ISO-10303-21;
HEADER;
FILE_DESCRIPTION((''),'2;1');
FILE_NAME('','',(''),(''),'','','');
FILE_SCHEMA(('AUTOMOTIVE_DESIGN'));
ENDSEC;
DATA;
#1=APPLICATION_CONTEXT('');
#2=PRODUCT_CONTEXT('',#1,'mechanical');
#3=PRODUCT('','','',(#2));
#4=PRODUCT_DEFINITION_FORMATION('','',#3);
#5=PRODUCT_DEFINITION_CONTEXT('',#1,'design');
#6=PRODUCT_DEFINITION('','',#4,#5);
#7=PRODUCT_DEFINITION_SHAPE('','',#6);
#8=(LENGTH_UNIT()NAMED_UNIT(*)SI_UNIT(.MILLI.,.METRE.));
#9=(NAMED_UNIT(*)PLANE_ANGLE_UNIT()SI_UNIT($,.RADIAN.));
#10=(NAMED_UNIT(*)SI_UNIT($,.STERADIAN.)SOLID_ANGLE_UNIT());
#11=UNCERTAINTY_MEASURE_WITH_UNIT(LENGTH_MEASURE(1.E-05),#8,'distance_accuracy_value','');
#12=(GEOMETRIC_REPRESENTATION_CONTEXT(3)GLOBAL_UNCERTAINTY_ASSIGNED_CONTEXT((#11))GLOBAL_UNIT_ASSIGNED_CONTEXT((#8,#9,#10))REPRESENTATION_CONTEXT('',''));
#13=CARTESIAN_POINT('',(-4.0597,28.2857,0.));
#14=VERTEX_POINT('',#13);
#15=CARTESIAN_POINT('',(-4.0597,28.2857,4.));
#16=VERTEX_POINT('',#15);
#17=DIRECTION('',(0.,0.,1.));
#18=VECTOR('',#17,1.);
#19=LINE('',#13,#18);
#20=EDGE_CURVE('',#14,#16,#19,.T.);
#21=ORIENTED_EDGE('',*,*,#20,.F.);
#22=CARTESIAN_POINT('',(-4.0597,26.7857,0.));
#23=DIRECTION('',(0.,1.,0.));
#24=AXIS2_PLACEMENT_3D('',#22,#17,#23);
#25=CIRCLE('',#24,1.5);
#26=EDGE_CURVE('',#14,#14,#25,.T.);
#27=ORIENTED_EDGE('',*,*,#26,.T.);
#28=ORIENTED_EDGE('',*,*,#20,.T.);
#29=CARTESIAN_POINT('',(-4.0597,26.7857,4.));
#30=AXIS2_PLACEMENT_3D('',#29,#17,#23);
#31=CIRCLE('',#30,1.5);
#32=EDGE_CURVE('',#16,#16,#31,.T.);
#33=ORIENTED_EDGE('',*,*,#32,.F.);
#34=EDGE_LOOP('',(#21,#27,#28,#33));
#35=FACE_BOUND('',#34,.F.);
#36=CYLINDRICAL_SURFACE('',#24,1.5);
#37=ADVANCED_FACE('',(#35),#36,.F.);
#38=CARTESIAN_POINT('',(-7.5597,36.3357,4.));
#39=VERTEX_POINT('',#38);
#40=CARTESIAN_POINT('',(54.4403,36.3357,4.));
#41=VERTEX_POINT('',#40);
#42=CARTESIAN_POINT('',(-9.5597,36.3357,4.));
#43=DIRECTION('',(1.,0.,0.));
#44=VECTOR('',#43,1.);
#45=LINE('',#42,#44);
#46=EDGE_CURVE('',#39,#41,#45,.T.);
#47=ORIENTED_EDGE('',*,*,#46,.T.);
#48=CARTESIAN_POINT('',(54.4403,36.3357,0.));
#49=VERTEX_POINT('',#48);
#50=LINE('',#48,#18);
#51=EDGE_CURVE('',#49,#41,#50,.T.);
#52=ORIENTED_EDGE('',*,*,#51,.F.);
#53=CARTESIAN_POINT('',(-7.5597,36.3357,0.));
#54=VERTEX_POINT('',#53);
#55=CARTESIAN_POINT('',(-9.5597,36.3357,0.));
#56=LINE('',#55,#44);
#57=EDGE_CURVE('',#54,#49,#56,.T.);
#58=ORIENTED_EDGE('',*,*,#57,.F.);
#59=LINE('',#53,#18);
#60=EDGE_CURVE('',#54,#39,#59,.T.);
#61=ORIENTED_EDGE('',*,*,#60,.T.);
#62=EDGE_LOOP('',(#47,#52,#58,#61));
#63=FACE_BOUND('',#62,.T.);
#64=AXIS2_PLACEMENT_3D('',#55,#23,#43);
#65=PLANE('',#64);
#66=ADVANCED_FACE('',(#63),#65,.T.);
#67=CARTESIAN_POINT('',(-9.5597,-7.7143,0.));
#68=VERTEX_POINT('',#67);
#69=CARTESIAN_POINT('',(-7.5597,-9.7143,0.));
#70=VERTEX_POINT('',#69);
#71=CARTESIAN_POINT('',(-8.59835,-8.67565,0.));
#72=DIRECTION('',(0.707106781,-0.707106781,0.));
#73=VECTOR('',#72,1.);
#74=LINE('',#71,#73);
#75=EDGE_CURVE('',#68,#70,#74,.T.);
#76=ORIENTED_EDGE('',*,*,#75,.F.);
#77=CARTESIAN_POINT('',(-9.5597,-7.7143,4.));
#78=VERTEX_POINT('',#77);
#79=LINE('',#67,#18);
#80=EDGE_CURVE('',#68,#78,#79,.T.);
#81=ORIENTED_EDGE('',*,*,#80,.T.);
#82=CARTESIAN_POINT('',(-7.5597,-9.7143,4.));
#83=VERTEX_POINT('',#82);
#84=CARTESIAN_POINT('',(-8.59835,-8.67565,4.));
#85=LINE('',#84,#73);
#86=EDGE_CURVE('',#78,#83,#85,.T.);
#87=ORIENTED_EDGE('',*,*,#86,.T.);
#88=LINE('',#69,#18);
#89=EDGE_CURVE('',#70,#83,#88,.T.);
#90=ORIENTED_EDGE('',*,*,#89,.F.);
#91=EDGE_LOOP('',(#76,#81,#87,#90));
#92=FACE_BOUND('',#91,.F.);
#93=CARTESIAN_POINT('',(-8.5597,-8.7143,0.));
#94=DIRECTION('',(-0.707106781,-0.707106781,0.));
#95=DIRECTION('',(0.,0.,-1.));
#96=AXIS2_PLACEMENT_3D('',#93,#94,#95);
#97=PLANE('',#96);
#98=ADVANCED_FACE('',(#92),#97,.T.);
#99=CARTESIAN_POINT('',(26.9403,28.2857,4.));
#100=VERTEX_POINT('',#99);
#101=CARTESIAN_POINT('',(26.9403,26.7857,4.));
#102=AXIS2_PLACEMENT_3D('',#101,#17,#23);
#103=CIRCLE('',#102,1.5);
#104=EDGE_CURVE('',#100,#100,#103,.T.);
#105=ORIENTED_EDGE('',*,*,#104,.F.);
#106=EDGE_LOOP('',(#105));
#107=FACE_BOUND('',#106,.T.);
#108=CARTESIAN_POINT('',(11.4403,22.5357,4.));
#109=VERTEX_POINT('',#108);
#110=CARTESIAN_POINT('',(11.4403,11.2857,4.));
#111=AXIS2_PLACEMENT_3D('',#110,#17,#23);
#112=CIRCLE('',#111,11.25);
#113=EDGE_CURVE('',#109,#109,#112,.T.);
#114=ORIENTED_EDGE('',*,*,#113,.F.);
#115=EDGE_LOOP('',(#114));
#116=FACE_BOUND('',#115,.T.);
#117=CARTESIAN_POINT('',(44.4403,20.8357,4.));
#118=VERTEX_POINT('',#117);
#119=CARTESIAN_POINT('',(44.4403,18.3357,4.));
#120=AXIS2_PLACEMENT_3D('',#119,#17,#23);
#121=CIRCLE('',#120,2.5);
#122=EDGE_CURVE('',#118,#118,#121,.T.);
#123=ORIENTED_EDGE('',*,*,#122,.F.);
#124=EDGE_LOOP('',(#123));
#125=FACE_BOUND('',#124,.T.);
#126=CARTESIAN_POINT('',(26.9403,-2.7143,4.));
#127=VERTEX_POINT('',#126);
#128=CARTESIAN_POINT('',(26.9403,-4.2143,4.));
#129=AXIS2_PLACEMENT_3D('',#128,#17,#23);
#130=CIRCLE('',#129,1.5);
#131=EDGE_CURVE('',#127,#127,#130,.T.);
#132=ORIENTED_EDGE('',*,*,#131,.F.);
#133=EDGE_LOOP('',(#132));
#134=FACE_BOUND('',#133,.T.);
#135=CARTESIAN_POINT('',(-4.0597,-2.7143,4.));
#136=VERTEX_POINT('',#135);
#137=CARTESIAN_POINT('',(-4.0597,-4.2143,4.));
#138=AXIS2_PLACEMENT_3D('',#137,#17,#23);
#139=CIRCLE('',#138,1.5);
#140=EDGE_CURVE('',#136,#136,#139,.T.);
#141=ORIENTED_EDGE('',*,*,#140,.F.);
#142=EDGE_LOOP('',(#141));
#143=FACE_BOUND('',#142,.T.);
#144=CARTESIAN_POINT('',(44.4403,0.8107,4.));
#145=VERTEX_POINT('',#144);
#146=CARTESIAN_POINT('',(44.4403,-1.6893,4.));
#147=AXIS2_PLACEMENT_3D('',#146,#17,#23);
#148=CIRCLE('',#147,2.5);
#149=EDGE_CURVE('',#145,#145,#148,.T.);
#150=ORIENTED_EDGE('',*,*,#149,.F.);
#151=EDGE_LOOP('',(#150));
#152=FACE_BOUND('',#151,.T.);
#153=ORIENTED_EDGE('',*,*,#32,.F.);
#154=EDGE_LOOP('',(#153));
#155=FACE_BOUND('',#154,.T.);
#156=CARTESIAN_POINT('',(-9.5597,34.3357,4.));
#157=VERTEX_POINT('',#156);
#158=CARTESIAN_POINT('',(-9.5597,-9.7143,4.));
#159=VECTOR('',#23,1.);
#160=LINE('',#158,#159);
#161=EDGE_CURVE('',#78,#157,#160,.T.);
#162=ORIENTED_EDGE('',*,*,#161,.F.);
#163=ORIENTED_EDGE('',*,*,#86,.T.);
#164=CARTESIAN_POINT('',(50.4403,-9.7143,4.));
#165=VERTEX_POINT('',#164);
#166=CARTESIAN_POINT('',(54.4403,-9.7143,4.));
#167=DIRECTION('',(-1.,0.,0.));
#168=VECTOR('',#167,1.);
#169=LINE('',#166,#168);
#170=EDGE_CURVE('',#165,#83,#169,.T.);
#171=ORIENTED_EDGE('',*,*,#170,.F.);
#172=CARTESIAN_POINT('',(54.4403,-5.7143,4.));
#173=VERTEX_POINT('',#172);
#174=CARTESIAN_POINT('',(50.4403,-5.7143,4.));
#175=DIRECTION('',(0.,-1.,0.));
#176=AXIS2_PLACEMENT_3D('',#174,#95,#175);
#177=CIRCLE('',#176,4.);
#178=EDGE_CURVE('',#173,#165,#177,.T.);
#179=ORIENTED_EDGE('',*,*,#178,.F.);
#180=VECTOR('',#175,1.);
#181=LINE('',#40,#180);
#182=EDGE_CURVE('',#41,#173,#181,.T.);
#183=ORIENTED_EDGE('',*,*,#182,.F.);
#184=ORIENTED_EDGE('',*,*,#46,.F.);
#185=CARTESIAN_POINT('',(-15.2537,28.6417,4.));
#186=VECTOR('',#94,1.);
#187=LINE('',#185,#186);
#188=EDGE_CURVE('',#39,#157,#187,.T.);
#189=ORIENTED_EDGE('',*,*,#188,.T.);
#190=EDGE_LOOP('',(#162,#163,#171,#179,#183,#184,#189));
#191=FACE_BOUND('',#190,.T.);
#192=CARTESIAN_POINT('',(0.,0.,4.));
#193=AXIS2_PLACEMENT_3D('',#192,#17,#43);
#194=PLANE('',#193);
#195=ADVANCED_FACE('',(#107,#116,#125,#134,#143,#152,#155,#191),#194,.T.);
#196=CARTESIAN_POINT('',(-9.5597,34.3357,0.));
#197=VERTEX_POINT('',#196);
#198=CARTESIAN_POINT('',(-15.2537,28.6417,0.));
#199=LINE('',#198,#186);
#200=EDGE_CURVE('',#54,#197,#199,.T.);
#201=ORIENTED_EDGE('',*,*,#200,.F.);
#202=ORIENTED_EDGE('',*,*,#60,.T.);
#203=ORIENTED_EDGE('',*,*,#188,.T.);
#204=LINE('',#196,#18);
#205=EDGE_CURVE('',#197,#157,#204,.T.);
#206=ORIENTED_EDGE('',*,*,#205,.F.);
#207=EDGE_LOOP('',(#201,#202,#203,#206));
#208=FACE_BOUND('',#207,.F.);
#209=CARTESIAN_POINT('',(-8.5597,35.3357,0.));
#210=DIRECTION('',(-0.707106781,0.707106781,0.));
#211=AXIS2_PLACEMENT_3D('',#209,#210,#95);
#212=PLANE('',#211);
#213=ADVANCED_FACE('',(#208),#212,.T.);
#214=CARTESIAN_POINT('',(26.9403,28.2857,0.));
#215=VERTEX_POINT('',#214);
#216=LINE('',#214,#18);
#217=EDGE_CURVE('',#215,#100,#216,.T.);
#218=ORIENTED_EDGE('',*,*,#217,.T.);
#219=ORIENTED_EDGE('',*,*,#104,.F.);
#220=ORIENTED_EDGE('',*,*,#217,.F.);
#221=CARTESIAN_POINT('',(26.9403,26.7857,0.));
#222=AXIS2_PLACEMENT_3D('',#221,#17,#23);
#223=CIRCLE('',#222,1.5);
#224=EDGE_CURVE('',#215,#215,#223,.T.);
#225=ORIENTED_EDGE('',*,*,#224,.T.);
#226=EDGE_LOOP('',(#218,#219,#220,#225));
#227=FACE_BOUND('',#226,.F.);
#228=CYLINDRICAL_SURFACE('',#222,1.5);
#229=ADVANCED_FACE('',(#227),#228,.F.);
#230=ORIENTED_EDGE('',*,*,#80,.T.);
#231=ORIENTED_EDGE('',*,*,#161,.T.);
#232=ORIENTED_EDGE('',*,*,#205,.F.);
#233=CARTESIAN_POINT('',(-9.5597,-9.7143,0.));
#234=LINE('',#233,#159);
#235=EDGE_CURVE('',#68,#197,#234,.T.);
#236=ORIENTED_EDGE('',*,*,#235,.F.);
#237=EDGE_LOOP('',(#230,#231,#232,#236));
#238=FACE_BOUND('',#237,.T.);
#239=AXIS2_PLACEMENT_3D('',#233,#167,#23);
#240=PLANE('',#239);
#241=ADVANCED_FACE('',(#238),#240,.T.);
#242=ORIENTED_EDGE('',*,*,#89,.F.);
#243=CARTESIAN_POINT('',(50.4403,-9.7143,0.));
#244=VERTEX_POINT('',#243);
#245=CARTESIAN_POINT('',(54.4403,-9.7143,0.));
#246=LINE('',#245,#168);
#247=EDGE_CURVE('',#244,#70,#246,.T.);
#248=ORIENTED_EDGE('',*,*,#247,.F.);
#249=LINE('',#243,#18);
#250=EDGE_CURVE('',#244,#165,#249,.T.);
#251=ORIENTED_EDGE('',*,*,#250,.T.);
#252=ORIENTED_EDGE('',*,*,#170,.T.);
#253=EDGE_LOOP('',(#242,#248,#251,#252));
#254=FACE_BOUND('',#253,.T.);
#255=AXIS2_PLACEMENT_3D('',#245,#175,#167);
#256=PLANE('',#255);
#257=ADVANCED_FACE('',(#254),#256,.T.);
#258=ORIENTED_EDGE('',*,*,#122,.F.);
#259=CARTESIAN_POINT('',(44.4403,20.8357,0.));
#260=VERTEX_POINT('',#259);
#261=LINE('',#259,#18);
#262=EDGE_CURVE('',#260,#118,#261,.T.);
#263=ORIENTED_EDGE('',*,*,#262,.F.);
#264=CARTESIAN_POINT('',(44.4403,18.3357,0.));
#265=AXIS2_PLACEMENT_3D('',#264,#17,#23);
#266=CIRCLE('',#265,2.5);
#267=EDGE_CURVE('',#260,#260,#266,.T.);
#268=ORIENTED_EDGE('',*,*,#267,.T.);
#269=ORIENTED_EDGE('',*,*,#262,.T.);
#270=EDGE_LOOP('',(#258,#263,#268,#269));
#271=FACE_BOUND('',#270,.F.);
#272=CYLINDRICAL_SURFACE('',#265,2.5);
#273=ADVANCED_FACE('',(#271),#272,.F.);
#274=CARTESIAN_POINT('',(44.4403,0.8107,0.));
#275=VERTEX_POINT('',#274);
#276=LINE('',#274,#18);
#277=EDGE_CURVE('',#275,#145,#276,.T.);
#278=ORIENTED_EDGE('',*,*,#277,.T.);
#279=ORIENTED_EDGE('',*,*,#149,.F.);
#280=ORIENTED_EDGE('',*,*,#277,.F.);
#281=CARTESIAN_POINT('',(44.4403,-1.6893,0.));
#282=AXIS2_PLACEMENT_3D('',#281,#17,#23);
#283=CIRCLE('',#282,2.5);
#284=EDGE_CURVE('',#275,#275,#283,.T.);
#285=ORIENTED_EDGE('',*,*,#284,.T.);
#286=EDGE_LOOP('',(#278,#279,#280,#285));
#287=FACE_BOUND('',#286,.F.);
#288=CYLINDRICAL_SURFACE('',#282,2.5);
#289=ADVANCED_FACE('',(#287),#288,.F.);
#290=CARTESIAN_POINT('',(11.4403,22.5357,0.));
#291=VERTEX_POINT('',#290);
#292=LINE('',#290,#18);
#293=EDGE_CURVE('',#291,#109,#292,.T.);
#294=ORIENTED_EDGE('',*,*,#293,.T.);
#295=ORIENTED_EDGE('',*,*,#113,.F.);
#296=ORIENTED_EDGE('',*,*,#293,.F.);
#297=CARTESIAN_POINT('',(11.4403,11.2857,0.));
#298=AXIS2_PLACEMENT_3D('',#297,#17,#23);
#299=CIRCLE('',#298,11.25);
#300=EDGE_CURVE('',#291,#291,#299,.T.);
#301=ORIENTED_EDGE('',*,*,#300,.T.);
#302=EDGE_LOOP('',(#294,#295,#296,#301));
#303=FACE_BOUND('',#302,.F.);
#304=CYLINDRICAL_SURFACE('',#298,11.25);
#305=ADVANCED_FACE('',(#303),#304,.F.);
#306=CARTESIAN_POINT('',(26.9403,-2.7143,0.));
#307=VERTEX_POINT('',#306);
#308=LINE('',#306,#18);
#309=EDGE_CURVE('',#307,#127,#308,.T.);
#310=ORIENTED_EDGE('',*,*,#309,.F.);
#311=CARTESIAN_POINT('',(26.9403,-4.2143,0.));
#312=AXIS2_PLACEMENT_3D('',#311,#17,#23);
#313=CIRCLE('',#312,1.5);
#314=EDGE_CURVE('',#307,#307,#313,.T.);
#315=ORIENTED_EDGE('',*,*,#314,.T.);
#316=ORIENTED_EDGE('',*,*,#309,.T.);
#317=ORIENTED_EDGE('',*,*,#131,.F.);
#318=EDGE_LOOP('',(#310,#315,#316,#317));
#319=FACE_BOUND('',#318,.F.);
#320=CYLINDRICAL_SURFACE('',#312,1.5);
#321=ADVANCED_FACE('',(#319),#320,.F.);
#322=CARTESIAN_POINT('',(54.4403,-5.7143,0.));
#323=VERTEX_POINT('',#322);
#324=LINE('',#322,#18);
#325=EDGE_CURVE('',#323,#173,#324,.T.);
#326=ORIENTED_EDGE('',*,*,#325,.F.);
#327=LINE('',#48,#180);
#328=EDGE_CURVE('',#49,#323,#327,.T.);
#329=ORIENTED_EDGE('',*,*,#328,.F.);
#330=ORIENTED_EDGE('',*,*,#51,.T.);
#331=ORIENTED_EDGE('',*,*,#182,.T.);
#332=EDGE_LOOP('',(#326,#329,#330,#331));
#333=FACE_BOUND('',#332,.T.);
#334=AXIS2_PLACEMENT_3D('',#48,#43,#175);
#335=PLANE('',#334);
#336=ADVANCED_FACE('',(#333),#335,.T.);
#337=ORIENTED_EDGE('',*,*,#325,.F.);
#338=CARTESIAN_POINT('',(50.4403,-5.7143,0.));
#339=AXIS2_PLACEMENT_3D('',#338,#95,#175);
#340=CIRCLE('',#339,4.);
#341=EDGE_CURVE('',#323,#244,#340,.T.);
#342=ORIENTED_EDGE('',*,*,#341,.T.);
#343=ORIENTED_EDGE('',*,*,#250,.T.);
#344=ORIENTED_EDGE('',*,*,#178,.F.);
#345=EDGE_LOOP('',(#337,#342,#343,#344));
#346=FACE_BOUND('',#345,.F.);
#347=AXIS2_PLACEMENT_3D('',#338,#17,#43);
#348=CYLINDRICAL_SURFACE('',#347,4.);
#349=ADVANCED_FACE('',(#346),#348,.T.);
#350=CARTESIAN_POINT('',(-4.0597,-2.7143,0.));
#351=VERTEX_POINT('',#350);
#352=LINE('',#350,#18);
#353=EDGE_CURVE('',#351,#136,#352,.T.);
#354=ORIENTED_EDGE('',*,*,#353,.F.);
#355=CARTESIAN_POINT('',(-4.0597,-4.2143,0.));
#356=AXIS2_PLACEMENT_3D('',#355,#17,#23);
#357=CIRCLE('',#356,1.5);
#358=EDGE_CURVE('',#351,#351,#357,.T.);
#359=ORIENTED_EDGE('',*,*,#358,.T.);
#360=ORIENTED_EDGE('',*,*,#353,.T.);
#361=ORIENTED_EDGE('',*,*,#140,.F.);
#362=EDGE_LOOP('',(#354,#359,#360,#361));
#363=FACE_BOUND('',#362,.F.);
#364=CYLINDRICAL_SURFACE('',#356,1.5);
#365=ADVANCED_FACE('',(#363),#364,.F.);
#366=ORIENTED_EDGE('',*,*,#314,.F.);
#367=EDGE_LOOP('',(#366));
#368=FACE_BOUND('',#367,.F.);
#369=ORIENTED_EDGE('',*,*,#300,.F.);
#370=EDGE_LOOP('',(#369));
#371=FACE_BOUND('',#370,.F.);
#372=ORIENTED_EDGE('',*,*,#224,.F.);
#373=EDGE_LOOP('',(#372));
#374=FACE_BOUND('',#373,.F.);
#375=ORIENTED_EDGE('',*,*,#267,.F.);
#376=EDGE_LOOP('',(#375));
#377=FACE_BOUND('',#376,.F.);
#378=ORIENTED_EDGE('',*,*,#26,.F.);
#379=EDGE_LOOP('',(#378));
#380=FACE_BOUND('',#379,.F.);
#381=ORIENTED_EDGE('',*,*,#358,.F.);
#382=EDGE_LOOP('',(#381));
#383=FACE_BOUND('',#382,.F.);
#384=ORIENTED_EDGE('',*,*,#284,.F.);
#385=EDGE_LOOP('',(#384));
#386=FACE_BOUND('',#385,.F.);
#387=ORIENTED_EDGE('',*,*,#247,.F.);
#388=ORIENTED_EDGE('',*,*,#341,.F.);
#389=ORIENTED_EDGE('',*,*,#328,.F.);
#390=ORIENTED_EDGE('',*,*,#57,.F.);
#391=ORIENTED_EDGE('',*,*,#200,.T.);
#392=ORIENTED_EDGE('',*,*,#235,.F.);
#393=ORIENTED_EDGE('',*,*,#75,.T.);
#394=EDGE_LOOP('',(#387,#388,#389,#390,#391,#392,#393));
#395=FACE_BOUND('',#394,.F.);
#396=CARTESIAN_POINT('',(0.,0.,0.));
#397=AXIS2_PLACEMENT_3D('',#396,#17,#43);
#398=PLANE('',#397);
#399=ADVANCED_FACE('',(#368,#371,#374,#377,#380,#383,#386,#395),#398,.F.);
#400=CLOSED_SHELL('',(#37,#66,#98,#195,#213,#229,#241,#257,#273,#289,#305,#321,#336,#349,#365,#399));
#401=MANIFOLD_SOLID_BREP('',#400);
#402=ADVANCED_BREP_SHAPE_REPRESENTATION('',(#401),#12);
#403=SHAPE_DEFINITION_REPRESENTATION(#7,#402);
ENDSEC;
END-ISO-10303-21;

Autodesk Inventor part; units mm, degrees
ref_plane "YZ Plane" through (0, 0, 0) normal (1, 0, 0) x (0, 1, 0)
ref_plane "XZ Plane" through (0, 0, 0) normal (0, 1, 0) x (-1, 0, 0)
ref_plane "XY Plane" through (0, 0, 0) normal (0, 0, 1) x (1, 0, 0)
sketch "Szkic1" plane through (0, 0, 0) normal (0, 0, 1) x (1, 0, 0)
  line L0 (-9.5597, 36.3357) -> (54.4403, 36.3357)
  line L1 (54.4403, 36.3357) -> (54.4403, -9.7143)
  line L2 (54.4403, -9.7143) -> (-9.5597, -9.7143)
  line L3 (-9.5597, -9.7143) -> (-9.5597, 36.3357)
  point P0 (0, 0)
  point P1 (-4.0597, 26.7857)
  point P2 (26.9403, 26.7857)
  point P3 (-4.0597, -4.2143)
  point P4 (26.9403, -4.2143)
  point P5 (11.4403, 11.2857)
  point P6 (44.4403, 18.3357)
  point P7 (44.4403, -1.6893)
  dimension "d0" = 46.05
  dimension "d1" = 64
  dimension "d2" = 15.5
  dimension "d3" = 15.5
  dimension "d4" = 15.5
  dimension "d5" = 15.5
  dimension "d6" = 15.5
  dimension "d7" = 15.5
  dimension "d8" = 15.5
  dimension "d9" = 15.5
  dimension "d11" = 43
  dimension "d12" = 25.05
  dimension "d33" = 10
  dimension "d34" = 10
  dimension "d35" = 8.025
  dimension "d37" = 18
extrude "Wyciągnięcie proste1" add sketch "Szkic1" along normal blind 4
hole "Otwór1" at (11.4403, 11.2857, 0) direction (0, 0, 1) diameter 22.5 end through all
hole "Otwór2" at (26.9403, -4.2143, 0) at (-4.0597, -4.2143, 0) at (26.9403, 26.7857, 0) at (-4.0597, 26.7857, 0) direction (0, 0, 1) diameter 3 end through all
chamfer "Faza1" distance 2 angle 45 2 edges at (-9.5597, 36.3357, 2) (-9.5597, -9.7143, 2)
fillet "Zaokrąglenie1" radius 4 1 edges at (54.4403, -9.7143, 2)
hole "Otwór3" at (44.4403, 18.3357, 0) at (44.4403, -1.6893, 0) direction (0, 0, 1) diameter 5 end through all
equation "\"d2\" = 0.5 * d10"
equation "\"d3\" = d2"
equation "\"d4\" = d2"
equation "\"d34\" = d33"
equation "\"d10\" = 31"
properties part number "LC_ALU_4mm_Z_Axis_Motor_Mount"
